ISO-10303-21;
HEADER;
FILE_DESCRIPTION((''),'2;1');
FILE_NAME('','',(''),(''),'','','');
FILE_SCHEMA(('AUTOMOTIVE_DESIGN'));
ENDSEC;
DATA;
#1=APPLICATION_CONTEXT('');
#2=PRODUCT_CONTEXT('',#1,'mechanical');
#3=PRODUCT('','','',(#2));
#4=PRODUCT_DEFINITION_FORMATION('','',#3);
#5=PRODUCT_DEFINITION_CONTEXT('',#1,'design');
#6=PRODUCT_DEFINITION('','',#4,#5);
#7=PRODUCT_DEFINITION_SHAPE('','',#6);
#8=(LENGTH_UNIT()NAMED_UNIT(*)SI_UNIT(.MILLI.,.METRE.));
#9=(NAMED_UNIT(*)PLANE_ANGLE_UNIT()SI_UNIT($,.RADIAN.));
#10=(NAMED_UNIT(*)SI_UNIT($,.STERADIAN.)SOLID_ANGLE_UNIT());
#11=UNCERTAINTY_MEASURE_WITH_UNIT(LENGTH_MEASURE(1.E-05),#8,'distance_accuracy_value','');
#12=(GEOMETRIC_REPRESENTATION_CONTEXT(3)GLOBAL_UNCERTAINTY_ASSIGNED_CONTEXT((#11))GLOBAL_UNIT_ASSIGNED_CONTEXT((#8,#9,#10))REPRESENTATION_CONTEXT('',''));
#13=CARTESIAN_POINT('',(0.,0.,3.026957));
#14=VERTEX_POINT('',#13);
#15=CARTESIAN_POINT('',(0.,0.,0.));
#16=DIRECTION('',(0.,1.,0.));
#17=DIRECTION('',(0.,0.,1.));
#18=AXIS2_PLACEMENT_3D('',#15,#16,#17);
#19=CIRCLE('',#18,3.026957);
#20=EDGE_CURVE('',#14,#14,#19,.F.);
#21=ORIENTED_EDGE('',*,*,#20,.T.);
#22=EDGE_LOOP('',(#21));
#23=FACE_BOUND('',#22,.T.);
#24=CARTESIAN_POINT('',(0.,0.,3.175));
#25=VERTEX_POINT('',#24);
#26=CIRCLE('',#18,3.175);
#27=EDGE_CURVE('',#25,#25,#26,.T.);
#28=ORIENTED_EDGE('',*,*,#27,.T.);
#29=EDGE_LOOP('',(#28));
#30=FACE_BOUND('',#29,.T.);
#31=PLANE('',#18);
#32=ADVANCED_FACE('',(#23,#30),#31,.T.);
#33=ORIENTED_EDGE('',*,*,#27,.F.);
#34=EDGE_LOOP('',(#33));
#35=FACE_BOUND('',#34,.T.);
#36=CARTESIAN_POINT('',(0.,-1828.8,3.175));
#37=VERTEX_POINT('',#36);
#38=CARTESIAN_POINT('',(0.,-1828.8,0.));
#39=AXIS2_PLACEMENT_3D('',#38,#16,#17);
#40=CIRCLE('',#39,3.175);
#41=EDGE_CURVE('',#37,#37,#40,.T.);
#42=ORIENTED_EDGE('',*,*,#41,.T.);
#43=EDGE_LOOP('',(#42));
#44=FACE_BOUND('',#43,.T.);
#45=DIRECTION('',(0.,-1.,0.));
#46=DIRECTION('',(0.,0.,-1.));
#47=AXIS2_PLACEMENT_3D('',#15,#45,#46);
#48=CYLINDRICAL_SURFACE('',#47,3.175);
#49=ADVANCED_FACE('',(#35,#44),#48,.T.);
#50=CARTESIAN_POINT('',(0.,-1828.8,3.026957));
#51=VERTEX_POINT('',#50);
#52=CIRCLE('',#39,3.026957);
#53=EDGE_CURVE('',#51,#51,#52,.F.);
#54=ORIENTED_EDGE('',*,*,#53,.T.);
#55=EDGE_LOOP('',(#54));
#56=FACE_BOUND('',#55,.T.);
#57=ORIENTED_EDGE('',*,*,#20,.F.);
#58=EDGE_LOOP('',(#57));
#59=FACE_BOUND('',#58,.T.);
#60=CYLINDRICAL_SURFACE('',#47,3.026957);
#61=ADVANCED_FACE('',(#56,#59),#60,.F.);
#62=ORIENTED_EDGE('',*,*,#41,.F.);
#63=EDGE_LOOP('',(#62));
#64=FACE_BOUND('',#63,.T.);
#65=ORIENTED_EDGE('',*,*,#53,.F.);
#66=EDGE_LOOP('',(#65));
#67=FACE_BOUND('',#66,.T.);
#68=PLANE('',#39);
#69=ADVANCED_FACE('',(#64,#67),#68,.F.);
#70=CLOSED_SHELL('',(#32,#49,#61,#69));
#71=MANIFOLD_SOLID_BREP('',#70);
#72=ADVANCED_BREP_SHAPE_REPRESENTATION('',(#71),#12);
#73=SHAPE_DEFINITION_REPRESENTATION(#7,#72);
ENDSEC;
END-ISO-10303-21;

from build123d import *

# Parameters (mm, degrees)
SKETCH1_R   = 3.175
SKETCH1_R_2 = 3.026957157


with BuildPart() as part:
    # Sweep1: sweep along a path in Sketch2
    with BuildLine(Plane(origin=(0, 0, 0), x_dir=(0, 0, -1), z_dir=(1, 0, 0))) as sweep1_path:
        Line((0, 0), (0, -1828.8))
    # Sketch1 → Sweep1 (sweep)
    with BuildSketch(Plane(origin=(0, 0, 0), x_dir=(1, 0, 0), z_dir=(0, 1, 0))):
        Circle(SKETCH1_R)
        Circle(SKETCH1_R_2, mode=Mode.SUBTRACT)
    sweep(path=sweep1_path.line)


solid = part.part
